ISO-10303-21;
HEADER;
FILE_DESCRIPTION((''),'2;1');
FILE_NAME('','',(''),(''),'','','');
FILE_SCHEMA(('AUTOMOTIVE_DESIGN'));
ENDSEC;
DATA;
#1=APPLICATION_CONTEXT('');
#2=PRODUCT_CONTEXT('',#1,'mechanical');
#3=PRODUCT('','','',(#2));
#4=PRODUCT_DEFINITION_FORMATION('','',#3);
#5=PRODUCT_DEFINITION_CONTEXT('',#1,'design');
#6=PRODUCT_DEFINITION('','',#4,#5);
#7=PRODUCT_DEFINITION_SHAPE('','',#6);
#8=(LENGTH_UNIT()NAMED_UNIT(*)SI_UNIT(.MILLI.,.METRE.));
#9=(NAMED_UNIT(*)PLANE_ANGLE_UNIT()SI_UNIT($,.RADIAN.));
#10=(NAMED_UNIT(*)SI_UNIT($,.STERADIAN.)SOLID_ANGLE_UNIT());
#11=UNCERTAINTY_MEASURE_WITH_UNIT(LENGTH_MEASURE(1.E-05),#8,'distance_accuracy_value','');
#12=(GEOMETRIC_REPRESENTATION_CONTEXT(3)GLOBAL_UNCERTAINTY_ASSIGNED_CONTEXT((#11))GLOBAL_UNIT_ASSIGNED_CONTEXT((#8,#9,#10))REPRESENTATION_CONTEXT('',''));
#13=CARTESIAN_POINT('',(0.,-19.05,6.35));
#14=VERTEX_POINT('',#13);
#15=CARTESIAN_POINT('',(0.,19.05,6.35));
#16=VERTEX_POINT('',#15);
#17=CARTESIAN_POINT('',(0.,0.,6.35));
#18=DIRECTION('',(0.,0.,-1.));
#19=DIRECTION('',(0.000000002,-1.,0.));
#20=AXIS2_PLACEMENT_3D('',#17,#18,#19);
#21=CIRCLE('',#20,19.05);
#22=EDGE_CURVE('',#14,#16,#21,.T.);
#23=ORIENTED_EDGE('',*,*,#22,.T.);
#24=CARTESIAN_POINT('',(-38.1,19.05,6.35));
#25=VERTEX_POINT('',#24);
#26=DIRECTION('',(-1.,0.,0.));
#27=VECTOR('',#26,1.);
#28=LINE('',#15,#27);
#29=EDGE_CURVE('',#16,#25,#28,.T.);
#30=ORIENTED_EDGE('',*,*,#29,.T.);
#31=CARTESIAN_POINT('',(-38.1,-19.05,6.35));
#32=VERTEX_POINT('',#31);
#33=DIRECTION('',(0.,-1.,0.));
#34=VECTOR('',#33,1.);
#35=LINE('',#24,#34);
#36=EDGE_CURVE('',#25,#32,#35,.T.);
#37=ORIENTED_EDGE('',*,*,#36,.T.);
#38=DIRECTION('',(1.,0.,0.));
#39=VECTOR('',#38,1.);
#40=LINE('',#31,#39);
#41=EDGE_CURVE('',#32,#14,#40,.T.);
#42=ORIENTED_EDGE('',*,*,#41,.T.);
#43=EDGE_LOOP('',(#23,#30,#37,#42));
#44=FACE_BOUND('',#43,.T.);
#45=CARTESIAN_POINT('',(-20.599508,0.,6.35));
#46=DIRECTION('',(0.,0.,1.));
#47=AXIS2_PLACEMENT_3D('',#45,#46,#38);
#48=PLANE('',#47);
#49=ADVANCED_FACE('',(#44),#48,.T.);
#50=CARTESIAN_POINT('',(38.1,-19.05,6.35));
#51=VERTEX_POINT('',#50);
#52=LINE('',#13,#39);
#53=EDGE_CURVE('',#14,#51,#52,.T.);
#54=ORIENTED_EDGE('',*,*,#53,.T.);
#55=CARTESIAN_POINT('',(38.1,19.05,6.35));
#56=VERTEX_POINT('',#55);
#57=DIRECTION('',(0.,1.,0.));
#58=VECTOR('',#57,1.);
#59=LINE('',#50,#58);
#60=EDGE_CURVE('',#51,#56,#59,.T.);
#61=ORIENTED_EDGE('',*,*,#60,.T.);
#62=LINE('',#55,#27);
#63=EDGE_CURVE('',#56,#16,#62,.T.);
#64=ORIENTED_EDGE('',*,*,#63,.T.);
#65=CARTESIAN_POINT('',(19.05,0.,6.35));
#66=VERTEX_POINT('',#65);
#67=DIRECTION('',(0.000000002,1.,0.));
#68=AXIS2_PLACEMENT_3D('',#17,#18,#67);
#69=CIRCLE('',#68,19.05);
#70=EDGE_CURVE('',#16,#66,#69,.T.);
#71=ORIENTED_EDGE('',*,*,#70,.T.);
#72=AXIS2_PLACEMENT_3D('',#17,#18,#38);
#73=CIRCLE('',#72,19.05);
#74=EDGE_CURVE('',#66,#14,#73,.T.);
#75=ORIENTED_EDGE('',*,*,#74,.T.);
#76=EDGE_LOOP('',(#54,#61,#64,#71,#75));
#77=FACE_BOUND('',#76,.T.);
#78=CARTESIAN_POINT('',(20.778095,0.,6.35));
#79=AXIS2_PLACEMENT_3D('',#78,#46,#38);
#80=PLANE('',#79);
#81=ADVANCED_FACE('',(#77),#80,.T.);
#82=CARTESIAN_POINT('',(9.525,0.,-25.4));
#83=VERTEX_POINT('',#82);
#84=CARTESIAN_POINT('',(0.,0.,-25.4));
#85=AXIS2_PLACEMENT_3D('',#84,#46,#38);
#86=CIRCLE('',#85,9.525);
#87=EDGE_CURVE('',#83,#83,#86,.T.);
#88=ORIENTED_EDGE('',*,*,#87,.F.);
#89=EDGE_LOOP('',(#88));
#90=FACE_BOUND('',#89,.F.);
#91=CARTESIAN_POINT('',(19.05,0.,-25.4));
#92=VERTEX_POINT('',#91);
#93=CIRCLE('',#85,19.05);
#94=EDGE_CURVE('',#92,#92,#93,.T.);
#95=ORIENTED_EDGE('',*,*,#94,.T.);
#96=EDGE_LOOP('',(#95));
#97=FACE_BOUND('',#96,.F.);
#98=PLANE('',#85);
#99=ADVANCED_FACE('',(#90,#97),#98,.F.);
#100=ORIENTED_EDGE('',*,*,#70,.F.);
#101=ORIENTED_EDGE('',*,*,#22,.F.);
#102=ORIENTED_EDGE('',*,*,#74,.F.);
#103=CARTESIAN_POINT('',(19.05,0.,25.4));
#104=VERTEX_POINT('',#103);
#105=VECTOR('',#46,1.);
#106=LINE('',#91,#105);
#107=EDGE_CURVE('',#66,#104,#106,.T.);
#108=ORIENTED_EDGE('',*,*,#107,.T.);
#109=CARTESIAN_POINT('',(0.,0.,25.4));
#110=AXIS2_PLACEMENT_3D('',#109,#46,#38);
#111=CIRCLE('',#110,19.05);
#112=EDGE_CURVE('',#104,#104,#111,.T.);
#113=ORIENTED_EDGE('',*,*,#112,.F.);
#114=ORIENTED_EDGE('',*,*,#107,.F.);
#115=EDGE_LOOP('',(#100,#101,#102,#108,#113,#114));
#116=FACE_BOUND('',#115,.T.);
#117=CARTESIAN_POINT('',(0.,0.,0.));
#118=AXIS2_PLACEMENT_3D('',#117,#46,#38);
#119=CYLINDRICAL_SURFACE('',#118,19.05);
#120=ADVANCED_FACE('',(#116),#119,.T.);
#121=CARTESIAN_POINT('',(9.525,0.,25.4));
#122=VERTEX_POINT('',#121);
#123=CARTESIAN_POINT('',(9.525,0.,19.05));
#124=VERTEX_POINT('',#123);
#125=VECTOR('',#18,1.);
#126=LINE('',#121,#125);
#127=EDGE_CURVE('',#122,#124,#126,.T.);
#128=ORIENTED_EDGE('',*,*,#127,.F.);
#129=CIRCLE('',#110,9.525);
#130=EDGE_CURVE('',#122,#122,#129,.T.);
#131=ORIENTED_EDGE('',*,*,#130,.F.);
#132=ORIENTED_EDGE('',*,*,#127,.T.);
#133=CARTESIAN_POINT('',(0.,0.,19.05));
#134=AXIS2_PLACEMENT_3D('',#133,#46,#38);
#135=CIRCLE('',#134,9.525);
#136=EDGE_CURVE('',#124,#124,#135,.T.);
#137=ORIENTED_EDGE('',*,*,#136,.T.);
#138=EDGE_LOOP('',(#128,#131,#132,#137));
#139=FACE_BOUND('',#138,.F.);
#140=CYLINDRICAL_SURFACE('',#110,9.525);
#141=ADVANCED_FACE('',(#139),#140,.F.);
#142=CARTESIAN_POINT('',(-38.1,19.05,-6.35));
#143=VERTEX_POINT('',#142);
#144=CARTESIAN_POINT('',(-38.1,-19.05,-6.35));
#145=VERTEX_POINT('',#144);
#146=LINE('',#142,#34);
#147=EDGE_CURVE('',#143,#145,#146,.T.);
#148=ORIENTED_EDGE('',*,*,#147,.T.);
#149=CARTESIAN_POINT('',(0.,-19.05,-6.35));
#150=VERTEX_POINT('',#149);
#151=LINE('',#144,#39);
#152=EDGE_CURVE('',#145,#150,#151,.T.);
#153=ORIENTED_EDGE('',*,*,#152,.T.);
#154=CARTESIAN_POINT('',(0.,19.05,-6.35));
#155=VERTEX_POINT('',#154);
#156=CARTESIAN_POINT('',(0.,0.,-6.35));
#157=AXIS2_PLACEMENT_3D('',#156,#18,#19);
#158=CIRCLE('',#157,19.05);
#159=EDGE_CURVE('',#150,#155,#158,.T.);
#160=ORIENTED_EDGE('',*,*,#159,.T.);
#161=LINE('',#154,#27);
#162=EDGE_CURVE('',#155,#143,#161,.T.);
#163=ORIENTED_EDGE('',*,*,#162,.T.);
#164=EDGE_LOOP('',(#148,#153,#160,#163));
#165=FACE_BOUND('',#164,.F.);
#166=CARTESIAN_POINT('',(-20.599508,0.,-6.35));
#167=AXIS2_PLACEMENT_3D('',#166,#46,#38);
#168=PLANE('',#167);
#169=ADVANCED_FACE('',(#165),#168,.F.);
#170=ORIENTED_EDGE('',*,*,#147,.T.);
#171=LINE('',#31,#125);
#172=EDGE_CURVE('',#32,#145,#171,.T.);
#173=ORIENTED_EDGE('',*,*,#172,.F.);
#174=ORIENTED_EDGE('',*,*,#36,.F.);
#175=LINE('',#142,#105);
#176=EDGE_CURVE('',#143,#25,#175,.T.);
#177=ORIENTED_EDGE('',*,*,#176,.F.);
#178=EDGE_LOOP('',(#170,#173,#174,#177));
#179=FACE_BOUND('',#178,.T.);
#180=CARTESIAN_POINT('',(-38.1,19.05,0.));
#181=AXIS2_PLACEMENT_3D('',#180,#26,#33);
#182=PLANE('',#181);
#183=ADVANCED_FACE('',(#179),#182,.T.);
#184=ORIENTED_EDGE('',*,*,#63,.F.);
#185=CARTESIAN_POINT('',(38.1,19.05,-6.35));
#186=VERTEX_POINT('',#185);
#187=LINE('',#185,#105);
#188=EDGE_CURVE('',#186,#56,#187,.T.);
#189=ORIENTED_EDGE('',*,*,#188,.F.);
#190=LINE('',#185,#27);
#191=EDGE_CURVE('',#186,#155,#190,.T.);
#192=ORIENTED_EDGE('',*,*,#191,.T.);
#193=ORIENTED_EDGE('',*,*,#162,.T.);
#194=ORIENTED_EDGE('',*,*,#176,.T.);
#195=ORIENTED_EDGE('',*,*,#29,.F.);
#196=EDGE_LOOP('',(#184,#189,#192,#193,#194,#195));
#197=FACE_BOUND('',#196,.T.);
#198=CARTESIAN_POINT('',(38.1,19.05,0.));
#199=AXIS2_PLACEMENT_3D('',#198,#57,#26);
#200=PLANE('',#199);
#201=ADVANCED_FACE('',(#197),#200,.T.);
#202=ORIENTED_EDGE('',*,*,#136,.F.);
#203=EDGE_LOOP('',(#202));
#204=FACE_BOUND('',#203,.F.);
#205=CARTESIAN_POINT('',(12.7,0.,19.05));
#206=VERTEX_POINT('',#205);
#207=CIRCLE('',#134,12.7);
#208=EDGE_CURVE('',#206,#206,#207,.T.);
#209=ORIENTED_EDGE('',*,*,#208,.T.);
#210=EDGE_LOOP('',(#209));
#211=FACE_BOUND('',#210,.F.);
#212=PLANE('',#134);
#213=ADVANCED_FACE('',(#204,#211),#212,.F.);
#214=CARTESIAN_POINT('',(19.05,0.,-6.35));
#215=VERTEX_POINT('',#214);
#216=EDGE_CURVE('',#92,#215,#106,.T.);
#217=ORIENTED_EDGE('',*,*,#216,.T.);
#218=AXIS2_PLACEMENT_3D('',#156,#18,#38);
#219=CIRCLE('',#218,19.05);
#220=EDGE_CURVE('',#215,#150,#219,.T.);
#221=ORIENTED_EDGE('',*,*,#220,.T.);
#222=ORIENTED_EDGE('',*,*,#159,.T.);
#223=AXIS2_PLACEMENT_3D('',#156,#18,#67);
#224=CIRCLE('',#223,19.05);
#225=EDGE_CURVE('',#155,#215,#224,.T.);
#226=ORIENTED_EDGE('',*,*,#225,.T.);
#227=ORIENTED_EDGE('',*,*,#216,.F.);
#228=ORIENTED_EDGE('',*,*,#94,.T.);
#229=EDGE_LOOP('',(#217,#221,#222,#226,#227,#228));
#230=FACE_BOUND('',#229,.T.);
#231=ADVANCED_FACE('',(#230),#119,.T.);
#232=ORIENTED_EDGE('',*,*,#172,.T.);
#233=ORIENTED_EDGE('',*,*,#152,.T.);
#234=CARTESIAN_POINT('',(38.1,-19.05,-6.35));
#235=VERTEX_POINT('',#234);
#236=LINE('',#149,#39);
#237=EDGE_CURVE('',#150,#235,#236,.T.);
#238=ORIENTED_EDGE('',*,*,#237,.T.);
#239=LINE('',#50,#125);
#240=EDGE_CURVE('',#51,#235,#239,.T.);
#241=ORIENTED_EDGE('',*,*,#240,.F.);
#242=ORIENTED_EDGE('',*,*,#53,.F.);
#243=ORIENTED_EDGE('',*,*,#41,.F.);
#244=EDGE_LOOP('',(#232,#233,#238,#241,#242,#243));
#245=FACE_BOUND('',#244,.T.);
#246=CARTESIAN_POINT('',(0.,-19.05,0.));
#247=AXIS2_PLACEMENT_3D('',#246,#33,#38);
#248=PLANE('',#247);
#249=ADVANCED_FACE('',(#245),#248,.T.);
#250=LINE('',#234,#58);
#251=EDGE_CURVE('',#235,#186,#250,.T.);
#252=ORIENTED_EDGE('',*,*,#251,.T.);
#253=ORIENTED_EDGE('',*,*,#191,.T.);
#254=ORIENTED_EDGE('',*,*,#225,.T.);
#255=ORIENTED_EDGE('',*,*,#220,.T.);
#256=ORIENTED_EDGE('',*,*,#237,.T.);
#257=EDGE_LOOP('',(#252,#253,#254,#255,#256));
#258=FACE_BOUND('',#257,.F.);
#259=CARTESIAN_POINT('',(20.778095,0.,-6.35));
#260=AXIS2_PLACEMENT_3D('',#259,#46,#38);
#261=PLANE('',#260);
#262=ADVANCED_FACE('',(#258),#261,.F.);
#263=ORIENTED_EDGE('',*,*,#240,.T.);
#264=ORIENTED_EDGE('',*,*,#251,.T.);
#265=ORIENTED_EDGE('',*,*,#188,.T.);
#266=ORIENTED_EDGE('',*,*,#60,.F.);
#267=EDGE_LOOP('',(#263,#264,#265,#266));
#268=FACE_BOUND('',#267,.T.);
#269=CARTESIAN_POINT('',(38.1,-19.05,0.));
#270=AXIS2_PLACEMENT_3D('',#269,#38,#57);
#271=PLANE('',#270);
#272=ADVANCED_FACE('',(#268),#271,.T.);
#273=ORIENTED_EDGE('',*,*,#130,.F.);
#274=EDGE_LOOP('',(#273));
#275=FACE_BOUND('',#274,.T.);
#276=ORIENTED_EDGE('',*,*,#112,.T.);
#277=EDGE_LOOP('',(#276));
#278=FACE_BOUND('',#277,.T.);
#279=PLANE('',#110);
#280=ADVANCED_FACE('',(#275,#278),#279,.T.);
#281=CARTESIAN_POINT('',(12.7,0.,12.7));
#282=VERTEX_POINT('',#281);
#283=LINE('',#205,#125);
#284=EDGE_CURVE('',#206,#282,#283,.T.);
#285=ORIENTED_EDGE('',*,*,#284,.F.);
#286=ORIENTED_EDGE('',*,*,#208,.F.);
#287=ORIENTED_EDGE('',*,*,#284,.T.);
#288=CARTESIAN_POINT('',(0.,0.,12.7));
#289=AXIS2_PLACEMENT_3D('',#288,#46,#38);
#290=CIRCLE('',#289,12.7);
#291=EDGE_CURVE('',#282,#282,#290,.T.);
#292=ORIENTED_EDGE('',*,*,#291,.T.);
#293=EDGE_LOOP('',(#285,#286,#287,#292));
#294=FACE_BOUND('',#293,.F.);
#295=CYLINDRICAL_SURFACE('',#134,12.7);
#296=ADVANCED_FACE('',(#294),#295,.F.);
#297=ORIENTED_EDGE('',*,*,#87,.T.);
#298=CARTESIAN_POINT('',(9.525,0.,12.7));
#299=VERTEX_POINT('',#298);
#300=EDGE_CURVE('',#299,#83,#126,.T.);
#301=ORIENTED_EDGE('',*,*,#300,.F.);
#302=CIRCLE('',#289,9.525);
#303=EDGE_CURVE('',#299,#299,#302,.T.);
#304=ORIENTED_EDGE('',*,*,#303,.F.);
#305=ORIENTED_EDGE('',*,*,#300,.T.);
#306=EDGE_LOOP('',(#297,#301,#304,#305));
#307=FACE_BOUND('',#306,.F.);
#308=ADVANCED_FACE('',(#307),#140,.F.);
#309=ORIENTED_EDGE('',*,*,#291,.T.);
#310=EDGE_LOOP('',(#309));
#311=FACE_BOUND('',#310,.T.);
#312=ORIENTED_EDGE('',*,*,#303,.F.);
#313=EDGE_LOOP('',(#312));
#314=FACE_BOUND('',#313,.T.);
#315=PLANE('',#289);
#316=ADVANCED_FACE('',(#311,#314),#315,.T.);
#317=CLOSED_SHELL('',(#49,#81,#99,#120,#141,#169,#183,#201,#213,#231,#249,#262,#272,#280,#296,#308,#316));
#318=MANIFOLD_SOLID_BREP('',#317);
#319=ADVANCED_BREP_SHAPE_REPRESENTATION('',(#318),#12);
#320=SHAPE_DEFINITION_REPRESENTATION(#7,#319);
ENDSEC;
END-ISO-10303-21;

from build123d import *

# Parameters (mm, degrees)
F1_DEPTH = 6.35
F2_DEPTH = 25.4
F3_R     = 9.525
F4_DEPTH = 50.801
F5_START = -6.35
F3_R_2   = 12.7
F5_DEPTH = 6.35


with BuildPart() as f1:
    # F0 (on Top) → F1 (new body, symmetric)
    with BuildSketch(Plane.XY):
        with BuildLine():
            ThreePointArc((3.68e-08, -19.05), (-19.05, 0), (3.68e-08, 19.05))
            Line((3.68e-08, 19.05), (-38.1, 19.05))
            Line((-38.1, 19.05), (-38.1, -19.05))
            Line((-38.1, -19.05), (3.68e-08, -19.05))
        make_face()
    extrude(amount=F1_DEPTH, both=True)



with BuildPart() as f1b:
    # F0 (on Top) → F1, piece 2 (new body, symmetric)
    with BuildSketch(Plane.XY):
        with BuildLine():
            Line((38.1, -19.05), (38.1, 19.05))
            Line((38.1, 19.05), (3.68e-08, 19.05))
            ThreePointArc((3.68e-08, 19.05), (13.4703841946, 13.4703841686), (19.05, 0))
            ThreePointArc((19.05, 0), (13.4703841946, -13.4703841686), (3.68e-08, -19.05))
            Line((3.68e-08, -19.05), (38.1, -19.05))
        make_face()
    extrude(amount=F1_DEPTH, both=True)


with BuildPart() as f1_1:
    add(f1.part)

    add(f1b.part)  # F2 merges F1b
    # F0 (on Top) → F2 (join, symmetric)
    with BuildSketch(Plane.XY):
        with BuildLine():
            ThreePointArc((19.05, 0), (13.4703841946, 13.4703841686), (3.68e-08, 19.05))
            ThreePointArc((3.68e-08, 19.05), (-19.05, 0), (3.68e-08, -19.05))
            ThreePointArc((3.68e-08, -19.05), (13.4703841946, -13.4703841686), (19.05, 0))
        make_face()
    extrude(amount=F2_DEPTH, both=True)

    # F3 (on face) → F4 (cut, through all)
    with BuildSketch(Plane.XY.offset(25.4)):
        Circle(F3_R)
    extrude(amount=-F4_DEPTH, mode=Mode.SUBTRACT)

    # F3 (on face) → F5 (cut)
    with BuildSketch(Plane.XY.offset(25.4).offset(F5_START)):
        Circle(F3_R_2)
        Circle(F3_R, mode=Mode.SUBTRACT)
    extrude(amount=-F5_DEPTH, mode=Mode.SUBTRACT)


solid = f1_1.part
